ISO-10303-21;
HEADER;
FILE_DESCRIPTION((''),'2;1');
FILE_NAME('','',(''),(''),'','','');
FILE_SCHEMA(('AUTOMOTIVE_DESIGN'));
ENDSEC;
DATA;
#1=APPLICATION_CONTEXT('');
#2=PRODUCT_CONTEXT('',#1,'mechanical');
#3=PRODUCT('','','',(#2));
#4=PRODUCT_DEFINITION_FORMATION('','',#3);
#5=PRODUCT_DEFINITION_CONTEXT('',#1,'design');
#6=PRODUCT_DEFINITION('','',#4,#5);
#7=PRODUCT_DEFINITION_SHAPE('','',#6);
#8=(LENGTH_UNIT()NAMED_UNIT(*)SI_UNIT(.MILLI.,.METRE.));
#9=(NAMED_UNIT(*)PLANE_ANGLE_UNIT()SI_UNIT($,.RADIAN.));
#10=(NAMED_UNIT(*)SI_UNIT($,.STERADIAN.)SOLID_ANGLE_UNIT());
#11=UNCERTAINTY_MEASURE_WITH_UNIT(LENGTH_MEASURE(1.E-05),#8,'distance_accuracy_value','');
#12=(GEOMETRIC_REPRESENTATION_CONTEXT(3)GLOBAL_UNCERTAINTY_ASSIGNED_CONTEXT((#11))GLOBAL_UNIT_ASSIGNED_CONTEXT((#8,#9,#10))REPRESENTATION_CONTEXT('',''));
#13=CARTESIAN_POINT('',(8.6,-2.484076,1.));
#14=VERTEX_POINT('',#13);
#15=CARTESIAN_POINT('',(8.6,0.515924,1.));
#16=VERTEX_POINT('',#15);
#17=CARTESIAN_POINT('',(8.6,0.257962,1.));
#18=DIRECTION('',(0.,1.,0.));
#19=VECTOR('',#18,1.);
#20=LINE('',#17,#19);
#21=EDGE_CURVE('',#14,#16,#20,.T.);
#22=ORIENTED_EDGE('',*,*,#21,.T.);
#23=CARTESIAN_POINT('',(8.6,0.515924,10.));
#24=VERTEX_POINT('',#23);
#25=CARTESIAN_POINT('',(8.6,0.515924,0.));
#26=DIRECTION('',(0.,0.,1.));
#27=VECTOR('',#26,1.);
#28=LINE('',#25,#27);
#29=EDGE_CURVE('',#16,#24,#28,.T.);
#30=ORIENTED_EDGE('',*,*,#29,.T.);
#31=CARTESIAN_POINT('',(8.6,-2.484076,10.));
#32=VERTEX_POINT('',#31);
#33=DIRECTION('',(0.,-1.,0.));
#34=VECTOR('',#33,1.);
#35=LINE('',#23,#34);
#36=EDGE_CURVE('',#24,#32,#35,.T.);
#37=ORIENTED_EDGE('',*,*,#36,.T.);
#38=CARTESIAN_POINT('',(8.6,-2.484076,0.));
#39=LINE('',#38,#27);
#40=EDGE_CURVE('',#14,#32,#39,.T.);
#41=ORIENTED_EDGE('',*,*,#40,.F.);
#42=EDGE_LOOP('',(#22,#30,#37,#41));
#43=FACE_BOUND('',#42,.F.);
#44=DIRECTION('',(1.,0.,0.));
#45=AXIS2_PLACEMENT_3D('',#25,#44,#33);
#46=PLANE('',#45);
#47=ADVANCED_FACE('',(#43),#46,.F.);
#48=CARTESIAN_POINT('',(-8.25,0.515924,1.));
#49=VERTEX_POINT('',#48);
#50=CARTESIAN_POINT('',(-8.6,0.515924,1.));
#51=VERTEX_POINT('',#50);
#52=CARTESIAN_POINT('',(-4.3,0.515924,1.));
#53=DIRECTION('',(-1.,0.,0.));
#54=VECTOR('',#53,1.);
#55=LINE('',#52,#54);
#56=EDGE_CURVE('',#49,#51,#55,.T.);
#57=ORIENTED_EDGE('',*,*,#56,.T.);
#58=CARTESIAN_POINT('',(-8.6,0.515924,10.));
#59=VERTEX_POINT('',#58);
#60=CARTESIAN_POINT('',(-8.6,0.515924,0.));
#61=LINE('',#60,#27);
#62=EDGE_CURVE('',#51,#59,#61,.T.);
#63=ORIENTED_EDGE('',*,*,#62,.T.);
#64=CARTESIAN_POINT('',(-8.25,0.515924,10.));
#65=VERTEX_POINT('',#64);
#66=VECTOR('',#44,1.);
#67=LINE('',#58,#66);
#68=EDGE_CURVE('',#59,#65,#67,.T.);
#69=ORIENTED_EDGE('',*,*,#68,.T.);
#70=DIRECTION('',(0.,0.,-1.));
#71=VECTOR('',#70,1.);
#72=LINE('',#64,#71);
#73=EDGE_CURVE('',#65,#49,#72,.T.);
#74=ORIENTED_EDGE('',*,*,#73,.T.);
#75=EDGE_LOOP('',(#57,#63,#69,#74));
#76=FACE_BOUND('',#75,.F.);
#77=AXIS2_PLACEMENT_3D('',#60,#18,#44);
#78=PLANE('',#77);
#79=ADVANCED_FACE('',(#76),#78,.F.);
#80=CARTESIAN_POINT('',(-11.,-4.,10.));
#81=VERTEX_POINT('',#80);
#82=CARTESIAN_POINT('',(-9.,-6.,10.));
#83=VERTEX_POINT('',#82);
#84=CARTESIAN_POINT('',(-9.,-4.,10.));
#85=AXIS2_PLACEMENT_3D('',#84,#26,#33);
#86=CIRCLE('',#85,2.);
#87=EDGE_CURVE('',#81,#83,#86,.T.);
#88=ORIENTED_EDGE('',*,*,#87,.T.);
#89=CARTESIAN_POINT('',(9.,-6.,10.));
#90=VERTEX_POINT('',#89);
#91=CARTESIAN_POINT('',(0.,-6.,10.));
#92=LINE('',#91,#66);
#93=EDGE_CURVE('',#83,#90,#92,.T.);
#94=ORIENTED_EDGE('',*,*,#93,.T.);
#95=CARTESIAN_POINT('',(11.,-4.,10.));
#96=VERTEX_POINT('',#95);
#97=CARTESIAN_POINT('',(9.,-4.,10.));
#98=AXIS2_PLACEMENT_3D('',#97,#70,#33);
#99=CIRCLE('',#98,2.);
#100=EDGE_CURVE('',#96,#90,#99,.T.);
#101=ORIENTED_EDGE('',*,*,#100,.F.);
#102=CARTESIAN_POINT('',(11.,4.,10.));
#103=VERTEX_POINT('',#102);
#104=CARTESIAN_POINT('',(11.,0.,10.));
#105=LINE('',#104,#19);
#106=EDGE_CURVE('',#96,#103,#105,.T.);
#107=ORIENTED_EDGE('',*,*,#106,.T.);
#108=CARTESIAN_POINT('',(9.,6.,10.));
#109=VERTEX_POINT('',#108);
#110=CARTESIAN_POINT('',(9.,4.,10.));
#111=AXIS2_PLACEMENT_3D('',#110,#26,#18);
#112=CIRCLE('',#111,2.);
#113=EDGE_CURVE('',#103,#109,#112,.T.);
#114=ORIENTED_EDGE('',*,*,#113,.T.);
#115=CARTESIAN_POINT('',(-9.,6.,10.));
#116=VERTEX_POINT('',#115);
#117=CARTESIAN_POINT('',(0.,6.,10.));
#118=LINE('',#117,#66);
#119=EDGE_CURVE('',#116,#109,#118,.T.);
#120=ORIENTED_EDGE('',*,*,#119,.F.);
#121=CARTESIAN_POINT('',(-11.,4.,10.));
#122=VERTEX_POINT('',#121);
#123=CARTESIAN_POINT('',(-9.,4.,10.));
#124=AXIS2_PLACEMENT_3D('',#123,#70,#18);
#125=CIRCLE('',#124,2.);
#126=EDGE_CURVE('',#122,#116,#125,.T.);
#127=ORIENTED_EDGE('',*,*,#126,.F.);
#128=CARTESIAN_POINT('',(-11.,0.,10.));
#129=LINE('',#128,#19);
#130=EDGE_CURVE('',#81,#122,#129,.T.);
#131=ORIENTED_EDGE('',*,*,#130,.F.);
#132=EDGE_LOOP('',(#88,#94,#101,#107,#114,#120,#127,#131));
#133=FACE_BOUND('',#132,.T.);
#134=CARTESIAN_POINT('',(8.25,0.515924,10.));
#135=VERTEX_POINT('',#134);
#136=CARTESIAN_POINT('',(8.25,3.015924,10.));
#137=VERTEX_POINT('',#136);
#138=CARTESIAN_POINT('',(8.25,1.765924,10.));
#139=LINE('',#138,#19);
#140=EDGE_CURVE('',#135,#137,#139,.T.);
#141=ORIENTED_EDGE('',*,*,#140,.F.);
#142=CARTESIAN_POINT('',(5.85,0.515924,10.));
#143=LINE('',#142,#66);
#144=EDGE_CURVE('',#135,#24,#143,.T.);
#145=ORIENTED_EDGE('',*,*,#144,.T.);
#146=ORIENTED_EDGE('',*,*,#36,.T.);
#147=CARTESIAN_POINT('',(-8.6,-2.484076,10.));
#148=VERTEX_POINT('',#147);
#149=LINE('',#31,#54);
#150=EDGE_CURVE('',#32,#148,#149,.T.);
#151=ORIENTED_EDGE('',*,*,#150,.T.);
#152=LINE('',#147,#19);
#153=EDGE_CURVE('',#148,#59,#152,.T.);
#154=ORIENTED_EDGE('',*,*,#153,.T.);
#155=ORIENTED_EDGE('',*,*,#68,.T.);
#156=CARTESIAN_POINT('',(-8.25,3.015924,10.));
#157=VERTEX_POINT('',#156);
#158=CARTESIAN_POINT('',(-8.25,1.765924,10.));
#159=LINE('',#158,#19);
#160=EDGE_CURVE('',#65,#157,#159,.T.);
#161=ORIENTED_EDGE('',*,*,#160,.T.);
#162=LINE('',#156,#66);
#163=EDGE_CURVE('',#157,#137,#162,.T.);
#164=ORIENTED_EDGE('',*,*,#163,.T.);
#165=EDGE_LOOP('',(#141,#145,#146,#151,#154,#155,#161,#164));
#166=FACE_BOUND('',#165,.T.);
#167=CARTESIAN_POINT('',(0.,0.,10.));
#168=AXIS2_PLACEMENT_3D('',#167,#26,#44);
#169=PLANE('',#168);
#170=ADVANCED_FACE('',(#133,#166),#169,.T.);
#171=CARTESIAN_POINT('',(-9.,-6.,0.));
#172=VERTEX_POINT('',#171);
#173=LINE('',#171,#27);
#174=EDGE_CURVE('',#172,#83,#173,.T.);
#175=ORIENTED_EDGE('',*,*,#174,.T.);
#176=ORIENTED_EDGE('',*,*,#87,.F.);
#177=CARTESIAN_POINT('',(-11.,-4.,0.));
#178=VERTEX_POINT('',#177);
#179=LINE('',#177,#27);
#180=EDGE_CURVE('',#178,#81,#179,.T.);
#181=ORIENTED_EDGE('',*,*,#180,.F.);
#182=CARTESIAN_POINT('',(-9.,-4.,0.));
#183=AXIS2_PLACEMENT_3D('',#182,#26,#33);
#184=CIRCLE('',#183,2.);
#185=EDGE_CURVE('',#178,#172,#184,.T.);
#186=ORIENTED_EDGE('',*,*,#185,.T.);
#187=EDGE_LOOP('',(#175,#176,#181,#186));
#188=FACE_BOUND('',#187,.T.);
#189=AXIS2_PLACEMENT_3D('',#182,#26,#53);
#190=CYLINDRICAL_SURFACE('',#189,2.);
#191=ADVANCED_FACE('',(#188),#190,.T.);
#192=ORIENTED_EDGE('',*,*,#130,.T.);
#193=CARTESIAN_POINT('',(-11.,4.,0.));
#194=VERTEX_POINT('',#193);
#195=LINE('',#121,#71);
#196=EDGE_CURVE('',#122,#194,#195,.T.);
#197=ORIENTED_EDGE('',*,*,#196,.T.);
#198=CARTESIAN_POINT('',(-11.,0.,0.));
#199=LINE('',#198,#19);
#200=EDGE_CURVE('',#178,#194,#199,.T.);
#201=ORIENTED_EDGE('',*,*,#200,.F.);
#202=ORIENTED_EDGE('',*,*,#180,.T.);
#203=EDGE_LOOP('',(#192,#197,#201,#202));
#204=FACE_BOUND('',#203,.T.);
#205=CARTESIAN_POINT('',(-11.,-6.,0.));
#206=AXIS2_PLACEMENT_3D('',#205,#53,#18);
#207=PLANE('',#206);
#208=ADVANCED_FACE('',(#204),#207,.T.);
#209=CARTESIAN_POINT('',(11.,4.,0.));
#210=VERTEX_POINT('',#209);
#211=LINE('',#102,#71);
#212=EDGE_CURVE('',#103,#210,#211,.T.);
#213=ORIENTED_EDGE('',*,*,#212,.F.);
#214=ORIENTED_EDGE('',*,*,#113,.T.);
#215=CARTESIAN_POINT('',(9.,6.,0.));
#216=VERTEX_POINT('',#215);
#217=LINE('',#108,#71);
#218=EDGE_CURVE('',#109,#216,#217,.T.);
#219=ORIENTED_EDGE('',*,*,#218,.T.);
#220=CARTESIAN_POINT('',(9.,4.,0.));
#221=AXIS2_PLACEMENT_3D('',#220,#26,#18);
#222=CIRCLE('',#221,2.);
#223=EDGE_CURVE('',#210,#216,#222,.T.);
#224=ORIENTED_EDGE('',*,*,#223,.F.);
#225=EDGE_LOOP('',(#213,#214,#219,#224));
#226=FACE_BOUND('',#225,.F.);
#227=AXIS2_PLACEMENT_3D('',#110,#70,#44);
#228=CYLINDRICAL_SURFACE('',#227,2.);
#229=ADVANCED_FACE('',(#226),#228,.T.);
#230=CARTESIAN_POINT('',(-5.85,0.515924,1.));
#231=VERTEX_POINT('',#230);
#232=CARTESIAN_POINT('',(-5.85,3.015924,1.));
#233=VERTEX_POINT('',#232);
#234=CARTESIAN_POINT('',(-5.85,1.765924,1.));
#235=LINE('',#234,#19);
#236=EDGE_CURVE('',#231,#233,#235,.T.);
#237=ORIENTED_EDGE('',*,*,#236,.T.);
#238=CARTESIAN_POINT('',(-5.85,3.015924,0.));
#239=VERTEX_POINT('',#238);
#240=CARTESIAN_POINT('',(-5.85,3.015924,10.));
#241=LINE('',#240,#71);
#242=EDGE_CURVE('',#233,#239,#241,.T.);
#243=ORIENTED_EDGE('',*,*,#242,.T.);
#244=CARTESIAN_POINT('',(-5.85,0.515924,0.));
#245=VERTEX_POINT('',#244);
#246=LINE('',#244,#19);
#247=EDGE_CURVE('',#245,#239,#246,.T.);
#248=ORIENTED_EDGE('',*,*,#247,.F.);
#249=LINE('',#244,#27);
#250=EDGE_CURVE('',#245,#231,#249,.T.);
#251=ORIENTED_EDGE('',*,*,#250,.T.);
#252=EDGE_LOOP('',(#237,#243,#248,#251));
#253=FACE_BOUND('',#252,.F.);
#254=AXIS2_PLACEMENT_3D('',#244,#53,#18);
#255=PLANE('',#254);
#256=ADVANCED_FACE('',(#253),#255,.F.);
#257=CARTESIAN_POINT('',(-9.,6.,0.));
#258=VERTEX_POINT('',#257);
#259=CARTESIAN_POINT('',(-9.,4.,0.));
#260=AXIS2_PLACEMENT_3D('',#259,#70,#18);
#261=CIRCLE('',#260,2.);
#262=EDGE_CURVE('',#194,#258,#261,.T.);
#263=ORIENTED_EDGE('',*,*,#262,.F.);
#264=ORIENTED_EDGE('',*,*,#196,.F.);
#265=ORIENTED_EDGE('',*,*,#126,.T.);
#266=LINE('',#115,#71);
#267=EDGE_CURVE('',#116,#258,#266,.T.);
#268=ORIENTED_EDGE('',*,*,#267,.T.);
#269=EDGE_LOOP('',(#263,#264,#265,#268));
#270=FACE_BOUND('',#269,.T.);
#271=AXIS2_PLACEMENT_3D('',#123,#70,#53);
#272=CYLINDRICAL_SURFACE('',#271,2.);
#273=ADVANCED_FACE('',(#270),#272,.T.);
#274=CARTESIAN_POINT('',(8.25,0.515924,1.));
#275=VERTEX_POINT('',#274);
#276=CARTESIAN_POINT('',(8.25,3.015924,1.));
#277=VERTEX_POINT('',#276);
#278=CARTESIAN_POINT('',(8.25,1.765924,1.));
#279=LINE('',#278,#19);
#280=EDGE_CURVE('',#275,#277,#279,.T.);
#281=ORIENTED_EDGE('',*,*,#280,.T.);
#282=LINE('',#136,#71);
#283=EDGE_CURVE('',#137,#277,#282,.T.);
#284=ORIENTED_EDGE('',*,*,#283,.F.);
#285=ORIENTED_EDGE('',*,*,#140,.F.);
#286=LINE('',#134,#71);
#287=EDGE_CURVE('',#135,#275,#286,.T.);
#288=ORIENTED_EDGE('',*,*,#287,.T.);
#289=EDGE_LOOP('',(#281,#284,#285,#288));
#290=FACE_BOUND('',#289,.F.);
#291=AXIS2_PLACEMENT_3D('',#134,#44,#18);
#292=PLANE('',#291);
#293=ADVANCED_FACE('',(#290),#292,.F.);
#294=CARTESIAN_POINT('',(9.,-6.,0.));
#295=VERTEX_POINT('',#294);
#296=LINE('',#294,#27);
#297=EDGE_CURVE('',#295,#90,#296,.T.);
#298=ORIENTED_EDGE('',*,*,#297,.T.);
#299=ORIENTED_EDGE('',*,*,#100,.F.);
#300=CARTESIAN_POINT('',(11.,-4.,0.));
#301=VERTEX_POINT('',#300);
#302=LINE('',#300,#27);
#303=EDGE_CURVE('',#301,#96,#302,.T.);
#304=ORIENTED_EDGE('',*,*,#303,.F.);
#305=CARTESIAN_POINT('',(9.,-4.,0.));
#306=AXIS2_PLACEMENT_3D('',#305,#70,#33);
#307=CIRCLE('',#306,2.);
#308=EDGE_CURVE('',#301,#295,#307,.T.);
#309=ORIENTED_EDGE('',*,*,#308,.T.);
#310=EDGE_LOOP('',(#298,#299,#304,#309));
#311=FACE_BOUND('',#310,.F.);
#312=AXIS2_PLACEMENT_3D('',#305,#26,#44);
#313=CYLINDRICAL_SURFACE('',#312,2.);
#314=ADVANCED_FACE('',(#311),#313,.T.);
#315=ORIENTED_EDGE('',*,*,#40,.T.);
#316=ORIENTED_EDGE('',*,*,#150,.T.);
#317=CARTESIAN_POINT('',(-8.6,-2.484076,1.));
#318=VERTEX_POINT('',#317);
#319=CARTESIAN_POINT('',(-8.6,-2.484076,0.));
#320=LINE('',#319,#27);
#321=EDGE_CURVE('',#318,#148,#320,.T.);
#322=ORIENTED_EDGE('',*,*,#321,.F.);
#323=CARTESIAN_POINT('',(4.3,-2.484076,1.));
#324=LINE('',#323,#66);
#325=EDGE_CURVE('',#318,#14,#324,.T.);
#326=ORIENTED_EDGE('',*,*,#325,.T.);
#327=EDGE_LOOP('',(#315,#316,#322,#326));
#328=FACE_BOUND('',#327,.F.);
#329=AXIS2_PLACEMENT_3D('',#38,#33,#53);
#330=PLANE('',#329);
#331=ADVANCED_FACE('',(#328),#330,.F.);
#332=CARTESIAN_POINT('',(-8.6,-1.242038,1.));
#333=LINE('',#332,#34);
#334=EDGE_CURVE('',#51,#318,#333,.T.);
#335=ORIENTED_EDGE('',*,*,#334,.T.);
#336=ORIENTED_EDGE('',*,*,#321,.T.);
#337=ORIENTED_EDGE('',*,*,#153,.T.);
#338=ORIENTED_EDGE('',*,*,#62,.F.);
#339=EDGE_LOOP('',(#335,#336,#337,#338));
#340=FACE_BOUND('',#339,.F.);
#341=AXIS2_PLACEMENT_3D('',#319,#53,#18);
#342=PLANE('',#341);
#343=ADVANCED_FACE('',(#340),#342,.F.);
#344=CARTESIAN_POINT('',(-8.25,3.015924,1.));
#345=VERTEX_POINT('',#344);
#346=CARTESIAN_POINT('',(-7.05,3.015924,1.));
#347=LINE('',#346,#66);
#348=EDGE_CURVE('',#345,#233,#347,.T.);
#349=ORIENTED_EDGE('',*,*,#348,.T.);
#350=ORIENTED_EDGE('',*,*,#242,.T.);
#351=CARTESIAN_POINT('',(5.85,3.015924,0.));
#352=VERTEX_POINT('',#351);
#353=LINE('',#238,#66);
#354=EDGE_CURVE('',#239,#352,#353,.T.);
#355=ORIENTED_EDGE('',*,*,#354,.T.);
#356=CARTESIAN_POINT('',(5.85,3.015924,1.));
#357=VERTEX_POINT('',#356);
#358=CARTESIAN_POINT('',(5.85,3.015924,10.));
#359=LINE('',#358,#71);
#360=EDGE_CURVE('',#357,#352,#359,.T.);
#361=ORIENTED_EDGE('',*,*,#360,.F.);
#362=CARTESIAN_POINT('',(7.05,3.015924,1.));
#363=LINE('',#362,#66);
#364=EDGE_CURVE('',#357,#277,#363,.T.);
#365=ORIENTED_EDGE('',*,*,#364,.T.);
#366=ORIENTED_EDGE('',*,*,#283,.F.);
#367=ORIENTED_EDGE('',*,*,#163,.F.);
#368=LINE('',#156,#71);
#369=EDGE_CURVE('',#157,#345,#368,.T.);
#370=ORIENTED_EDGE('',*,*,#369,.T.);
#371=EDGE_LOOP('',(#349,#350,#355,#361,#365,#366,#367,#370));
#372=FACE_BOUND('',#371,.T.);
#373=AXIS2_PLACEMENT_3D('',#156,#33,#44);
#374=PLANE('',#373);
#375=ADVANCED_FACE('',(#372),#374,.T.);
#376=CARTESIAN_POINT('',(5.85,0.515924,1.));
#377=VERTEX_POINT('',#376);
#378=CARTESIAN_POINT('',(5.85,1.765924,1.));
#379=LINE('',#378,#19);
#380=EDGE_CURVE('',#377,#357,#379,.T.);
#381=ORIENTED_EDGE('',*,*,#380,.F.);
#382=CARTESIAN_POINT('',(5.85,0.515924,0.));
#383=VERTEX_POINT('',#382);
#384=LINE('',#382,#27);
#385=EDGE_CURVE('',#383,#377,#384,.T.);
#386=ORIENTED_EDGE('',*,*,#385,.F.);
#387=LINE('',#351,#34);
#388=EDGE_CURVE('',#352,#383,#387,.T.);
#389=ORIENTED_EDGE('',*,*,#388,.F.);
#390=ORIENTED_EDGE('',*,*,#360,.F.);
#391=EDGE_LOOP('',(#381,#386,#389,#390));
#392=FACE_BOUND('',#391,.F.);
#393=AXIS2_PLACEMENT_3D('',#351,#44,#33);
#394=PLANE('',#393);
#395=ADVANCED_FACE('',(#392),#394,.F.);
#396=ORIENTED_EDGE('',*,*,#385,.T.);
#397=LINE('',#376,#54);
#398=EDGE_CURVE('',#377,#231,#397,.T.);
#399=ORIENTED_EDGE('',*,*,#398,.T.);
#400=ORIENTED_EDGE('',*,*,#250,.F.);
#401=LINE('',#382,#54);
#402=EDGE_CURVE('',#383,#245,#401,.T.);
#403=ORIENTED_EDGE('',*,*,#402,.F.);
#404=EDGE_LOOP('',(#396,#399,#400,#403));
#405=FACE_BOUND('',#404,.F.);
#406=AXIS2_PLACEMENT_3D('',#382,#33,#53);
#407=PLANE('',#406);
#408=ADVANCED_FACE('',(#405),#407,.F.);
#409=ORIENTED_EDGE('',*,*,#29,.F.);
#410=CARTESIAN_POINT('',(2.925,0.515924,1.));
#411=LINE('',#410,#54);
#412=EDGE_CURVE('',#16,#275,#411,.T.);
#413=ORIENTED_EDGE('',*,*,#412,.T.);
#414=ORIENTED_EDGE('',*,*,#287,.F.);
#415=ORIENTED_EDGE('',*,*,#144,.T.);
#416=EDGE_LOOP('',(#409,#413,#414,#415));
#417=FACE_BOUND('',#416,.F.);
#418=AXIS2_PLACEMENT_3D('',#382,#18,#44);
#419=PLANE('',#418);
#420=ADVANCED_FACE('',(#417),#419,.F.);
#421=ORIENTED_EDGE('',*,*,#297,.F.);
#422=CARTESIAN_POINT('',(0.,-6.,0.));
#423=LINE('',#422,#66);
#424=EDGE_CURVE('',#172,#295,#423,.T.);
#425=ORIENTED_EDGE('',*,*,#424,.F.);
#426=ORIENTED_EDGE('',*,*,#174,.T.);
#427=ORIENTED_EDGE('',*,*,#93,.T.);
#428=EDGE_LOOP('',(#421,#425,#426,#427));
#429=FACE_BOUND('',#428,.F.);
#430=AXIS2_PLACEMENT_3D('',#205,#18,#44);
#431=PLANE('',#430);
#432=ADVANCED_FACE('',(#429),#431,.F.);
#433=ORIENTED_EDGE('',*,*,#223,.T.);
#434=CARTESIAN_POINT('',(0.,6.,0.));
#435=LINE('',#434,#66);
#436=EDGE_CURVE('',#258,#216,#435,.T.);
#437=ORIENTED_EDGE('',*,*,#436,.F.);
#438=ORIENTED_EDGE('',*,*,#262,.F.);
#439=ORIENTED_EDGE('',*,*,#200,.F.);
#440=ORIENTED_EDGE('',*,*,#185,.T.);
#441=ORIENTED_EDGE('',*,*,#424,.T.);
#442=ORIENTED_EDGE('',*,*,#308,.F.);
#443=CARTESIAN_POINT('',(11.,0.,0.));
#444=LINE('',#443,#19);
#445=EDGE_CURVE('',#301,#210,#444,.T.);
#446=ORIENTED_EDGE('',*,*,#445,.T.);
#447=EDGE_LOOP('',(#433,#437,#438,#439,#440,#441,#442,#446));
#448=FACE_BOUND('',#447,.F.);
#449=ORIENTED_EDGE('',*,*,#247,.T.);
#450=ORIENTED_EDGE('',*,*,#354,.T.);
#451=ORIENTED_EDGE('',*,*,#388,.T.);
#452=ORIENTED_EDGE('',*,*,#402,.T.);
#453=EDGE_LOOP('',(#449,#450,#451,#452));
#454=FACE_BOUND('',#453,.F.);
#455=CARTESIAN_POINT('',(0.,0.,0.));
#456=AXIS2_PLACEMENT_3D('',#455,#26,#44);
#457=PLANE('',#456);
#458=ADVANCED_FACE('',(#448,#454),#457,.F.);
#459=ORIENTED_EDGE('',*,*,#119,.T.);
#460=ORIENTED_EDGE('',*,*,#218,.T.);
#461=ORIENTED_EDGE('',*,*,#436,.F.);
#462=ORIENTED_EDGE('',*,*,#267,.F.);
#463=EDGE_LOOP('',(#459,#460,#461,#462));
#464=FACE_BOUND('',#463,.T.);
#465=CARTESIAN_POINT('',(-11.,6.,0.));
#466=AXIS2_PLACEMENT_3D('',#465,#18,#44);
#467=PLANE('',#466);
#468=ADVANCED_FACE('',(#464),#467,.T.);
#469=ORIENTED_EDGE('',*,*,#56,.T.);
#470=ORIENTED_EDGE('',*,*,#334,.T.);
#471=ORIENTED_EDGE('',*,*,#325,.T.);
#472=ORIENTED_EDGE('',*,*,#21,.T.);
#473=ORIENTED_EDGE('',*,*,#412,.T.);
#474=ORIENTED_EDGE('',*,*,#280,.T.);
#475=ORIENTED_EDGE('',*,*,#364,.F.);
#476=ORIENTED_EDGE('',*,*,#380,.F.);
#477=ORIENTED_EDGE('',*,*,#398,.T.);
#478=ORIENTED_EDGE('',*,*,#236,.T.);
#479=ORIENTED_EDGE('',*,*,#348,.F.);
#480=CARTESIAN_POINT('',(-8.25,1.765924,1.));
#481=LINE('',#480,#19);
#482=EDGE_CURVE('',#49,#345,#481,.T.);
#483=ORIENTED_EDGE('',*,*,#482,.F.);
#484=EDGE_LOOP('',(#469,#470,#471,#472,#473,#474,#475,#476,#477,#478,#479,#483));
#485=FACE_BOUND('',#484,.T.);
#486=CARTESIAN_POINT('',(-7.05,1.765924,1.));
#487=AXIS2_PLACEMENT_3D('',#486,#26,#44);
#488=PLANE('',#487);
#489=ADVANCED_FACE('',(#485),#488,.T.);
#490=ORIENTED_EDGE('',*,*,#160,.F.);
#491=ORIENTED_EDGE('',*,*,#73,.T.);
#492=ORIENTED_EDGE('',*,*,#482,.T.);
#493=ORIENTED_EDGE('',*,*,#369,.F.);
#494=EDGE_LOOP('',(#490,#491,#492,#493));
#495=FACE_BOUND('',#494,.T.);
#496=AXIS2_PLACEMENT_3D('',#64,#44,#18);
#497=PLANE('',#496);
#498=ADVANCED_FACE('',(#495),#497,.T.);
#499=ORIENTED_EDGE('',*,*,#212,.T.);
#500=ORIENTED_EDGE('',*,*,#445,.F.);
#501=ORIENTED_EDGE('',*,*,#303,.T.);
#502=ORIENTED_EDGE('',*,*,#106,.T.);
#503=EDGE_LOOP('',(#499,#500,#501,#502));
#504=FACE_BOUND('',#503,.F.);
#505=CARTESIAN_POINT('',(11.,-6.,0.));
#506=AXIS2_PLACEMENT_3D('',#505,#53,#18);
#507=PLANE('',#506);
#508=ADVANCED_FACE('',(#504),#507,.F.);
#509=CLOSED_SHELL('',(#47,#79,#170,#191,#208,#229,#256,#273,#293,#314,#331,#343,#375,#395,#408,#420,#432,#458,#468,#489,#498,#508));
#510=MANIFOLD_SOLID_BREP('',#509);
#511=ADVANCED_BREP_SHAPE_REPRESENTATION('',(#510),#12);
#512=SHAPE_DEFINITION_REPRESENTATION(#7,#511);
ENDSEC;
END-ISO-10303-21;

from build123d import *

# Parameters (mm, degrees)
F0_W     = 22
F0_H     = 12
F1_DEPTH = 1
F2_DEPTH = 10
F3_W     = 2.4
F3_H     = 2.5
F4_DEPTH = 9
F5_R     = 2


with BuildPart() as f1:
    # F0 (on Top) → F1 (new body)
    with BuildSketch(Plane.XY):
        Rectangle(F0_W, F0_H)
        Polygon((-5.85, 3.015924), (0, 3.015924), (5.85, 3.015924), (5.85, 0.515924), (8.6, 0.515924), (8.6, -2.484076), (0, -2.484076), (-8.6, -2.484076), (-8.6, 0.515924), (-5.85, 0.515924), align=None, mode=Mode.SUBTRACT)
        Polygon((8.6, 0.515924), (5.85, 0.515924), (-5.85, 0.515924), (-8.6, 0.515924), (-8.6, -2.484076), (0, -2.484076), (8.6, -2.484076), align=None)
    extrude(amount=F1_DEPTH)

    # F0 (on Top) → F2 (join)
    with BuildSketch(Plane.XY):
        Rectangle(F0_W, F0_H)
        Polygon((-5.85, 3.015924), (0, 3.015924), (5.85, 3.015924), (5.85, 0.515924), (8.6, 0.515924), (8.6, -2.484076), (0, -2.484076), (-8.6, -2.484076), (-8.6, 0.515924), (-5.85, 0.515924), align=None, mode=Mode.SUBTRACT)
    extrude(amount=F2_DEPTH)

    # F3 (on face) → F4 (cut, through all)
    with BuildSketch(Plane.XY.offset(10)):
        with Locations((-7.05, 1.765924)):
            Rectangle(F3_W, F3_H)
        with Locations((7.05, 1.765924)):
            Rectangle(F3_W, F3_H)
    extrude(amount=-F4_DEPTH, mode=Mode.SUBTRACT)

    # F5
    f5_edges = [f1.edges().sort_by_distance(p)[0] for p in [
        (-11, -6, 5),
        (11, -6, 5),
        (-11, 6, 5),
        (11, 6, 5),
    ]]
    fillet(f5_edges, radius=F5_R)


solid = f1.part
